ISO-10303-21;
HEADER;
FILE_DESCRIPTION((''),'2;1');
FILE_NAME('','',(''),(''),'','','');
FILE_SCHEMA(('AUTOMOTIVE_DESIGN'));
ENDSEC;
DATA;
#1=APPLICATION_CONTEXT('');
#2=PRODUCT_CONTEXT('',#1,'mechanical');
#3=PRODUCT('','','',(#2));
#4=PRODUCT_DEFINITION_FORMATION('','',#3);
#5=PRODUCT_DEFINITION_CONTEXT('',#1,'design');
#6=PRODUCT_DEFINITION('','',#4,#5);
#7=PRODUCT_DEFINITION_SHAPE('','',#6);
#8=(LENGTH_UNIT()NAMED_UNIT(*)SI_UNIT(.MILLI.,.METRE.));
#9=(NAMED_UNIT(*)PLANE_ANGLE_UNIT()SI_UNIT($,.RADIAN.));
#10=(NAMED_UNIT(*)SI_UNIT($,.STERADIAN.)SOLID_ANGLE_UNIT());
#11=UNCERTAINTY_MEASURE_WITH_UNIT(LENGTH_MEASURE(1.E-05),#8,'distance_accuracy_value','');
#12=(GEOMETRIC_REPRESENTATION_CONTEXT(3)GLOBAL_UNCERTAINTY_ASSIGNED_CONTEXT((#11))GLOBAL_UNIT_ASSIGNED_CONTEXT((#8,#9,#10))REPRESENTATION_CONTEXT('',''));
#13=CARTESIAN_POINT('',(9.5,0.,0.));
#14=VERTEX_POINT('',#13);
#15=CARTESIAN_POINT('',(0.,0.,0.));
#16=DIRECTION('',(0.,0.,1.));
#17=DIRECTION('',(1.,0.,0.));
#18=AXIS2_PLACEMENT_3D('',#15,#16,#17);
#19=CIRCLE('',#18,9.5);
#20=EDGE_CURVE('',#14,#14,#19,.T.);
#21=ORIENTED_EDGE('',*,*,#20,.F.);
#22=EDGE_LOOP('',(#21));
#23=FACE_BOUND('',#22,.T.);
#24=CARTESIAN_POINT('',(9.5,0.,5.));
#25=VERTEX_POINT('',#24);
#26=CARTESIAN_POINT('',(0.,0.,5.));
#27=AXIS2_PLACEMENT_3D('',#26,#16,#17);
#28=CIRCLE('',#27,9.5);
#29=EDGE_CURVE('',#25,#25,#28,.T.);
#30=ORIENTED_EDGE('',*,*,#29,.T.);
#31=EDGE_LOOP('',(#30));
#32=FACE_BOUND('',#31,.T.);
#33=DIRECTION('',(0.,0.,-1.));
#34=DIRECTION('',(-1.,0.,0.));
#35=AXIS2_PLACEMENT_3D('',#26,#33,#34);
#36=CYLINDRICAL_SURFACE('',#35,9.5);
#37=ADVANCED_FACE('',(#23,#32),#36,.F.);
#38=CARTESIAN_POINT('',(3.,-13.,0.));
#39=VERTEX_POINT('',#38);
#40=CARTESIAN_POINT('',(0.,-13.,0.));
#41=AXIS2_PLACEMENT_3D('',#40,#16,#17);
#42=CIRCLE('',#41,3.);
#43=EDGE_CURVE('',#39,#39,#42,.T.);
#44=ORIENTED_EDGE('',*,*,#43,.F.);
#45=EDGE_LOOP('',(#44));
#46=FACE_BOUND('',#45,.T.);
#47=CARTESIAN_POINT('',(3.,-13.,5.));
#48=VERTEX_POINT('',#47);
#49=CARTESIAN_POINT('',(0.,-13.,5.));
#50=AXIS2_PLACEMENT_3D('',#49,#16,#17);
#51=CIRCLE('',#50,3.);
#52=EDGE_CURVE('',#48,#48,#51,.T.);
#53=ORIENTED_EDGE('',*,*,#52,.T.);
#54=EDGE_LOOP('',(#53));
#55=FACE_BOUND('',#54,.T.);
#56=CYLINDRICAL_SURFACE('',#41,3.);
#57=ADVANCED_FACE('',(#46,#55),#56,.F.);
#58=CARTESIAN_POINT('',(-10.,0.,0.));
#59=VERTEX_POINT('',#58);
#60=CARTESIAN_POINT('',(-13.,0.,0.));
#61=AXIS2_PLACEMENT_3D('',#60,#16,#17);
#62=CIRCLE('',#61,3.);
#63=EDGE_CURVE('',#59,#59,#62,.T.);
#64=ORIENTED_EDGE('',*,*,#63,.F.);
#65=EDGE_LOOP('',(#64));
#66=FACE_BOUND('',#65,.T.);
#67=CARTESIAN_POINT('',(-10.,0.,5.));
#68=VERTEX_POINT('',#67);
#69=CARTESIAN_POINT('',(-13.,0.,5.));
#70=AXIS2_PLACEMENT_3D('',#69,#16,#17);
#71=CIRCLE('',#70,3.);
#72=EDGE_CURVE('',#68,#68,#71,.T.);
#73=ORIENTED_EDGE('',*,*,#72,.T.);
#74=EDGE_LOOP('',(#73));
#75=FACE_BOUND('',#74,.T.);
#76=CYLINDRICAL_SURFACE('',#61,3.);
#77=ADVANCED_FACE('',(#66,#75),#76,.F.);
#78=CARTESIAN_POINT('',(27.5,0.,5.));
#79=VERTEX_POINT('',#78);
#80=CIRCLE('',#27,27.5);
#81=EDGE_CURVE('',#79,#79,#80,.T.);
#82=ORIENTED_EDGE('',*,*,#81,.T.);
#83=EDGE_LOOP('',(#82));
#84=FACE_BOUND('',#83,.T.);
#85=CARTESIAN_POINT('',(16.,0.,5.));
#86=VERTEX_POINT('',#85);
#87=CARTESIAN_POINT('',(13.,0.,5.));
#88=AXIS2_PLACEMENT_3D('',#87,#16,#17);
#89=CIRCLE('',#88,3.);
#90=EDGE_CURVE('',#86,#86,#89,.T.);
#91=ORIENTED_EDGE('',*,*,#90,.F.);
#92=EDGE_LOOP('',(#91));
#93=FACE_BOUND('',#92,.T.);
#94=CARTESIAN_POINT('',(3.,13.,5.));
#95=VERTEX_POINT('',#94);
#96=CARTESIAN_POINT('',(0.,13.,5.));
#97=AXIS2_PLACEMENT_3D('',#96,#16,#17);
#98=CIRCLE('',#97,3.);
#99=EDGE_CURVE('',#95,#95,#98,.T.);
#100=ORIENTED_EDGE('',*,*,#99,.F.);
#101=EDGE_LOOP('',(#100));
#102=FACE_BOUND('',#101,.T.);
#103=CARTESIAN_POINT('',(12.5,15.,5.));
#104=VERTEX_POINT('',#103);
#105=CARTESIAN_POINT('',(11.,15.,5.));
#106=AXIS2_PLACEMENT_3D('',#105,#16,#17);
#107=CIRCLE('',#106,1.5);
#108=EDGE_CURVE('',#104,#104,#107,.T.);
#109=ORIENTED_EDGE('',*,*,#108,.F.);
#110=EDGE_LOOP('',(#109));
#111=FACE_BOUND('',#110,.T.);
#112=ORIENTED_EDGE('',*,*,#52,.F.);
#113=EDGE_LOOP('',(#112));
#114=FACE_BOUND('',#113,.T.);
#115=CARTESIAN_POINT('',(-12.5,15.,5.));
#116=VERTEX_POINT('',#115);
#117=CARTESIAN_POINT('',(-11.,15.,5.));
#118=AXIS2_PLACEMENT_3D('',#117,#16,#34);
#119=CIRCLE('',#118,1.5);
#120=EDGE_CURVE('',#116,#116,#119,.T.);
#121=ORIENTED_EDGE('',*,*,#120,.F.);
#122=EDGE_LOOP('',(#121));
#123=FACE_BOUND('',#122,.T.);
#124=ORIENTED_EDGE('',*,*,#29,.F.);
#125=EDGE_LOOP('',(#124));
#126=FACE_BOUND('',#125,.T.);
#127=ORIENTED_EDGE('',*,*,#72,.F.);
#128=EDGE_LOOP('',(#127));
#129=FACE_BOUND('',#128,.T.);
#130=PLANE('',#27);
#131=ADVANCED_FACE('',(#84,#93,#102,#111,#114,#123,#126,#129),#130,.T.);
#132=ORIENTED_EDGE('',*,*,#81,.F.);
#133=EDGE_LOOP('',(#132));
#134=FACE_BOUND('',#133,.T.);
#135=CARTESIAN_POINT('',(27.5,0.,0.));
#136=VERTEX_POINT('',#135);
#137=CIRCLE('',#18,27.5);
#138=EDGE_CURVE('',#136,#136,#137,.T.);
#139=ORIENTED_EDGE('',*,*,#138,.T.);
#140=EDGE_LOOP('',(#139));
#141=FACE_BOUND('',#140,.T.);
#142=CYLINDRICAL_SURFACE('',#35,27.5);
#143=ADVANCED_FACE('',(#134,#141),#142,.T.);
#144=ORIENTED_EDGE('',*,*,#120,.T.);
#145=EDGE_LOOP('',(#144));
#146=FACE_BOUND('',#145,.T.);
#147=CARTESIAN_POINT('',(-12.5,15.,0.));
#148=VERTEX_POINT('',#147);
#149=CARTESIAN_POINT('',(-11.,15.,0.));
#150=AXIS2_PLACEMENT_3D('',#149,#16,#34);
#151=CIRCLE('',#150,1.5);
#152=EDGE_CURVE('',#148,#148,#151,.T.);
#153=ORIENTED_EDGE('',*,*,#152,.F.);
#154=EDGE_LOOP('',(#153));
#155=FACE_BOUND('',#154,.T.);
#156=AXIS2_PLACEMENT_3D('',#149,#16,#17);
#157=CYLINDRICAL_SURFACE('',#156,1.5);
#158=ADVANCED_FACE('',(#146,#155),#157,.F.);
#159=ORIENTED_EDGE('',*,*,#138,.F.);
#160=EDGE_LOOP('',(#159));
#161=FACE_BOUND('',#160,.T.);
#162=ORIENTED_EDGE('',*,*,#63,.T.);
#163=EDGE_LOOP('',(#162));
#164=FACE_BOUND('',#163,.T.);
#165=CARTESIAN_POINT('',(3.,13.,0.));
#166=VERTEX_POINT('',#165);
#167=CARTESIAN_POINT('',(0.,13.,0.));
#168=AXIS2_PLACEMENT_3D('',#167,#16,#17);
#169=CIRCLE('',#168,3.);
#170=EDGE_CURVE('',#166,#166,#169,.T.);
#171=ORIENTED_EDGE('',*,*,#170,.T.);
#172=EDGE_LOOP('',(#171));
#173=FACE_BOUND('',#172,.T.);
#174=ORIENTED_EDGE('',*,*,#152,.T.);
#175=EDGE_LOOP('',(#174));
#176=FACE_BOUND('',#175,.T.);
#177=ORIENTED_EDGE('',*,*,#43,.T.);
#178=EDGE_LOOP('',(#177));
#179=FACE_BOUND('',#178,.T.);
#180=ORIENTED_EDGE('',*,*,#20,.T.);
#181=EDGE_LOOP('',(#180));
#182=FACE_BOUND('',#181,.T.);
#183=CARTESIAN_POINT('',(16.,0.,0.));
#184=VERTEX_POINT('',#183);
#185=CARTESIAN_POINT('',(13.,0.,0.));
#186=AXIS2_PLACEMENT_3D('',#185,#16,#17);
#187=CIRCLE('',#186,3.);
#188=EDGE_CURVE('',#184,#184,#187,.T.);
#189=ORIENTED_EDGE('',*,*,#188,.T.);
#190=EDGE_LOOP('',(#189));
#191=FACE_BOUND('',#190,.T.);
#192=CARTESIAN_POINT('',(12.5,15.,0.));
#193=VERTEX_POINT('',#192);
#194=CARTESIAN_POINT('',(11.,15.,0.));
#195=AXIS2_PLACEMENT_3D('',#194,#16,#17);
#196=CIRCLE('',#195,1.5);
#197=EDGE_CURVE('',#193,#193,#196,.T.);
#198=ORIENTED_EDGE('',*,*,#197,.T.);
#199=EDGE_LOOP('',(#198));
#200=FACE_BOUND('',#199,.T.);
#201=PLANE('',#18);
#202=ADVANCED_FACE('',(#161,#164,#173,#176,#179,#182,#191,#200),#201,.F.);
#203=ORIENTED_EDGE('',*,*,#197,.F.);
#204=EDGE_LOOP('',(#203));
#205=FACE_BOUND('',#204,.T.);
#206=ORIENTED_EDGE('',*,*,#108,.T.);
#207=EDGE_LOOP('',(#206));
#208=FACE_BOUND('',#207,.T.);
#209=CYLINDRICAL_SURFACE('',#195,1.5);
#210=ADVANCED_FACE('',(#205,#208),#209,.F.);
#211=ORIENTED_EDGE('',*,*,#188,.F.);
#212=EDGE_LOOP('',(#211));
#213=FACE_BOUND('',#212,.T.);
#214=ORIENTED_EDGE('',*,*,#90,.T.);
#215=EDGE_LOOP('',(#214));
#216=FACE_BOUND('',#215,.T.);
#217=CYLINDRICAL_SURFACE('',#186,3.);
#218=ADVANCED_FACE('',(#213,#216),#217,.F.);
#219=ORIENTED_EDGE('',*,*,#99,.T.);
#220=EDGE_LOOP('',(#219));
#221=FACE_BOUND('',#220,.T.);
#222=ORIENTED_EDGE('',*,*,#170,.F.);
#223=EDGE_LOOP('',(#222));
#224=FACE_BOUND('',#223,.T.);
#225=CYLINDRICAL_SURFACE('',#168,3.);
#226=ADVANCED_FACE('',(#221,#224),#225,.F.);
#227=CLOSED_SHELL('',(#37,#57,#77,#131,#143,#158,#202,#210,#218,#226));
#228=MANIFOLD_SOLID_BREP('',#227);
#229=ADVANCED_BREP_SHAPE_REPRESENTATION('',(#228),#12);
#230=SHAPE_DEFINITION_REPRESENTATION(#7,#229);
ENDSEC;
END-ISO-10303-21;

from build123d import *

# Parameters (mm, degrees)
ESQUISSE1_R             = 27.5
ESQUISSE1_R_2           = 9.5
BOSS_EXTRU_1_DEPTH      = 5
ESQUISSE2_R             = 3
ESQUISSE2_R_2           = 1.5
ENL_V_MAT_EXTRU_1_DEPTH = 5


with BuildPart() as part:
    # Esquisse1 → Boss.-Extru.1 (new body)
    with BuildSketch(Plane.XY):
        Circle(ESQUISSE1_R)
        Circle(ESQUISSE1_R_2, mode=Mode.SUBTRACT)
    extrude(amount=BOSS_EXTRU_1_DEPTH)

    # Esquisse2 → Enlèv. mat.-Extru.1 (cut)
    with BuildSketch(Plane.XY.offset(5)):
        with Locations((-13, 0)):
            Circle(ESQUISSE2_R)
        with Locations((0, 13)):
            Circle(ESQUISSE2_R)
        with Locations((13, 0)):
            Circle(ESQUISSE2_R)
        with Locations((0, -13)):
            Circle(ESQUISSE2_R)
        with Locations((11, 15)):
            Circle(ESQUISSE2_R_2)
        with Locations(Location((-11, 15, 0), (0, 0, 180))):
            Circle(ESQUISSE2_R_2)
    extrude(amount=-ENL_V_MAT_EXTRU_1_DEPTH, mode=Mode.SUBTRACT)


solid = part.part
